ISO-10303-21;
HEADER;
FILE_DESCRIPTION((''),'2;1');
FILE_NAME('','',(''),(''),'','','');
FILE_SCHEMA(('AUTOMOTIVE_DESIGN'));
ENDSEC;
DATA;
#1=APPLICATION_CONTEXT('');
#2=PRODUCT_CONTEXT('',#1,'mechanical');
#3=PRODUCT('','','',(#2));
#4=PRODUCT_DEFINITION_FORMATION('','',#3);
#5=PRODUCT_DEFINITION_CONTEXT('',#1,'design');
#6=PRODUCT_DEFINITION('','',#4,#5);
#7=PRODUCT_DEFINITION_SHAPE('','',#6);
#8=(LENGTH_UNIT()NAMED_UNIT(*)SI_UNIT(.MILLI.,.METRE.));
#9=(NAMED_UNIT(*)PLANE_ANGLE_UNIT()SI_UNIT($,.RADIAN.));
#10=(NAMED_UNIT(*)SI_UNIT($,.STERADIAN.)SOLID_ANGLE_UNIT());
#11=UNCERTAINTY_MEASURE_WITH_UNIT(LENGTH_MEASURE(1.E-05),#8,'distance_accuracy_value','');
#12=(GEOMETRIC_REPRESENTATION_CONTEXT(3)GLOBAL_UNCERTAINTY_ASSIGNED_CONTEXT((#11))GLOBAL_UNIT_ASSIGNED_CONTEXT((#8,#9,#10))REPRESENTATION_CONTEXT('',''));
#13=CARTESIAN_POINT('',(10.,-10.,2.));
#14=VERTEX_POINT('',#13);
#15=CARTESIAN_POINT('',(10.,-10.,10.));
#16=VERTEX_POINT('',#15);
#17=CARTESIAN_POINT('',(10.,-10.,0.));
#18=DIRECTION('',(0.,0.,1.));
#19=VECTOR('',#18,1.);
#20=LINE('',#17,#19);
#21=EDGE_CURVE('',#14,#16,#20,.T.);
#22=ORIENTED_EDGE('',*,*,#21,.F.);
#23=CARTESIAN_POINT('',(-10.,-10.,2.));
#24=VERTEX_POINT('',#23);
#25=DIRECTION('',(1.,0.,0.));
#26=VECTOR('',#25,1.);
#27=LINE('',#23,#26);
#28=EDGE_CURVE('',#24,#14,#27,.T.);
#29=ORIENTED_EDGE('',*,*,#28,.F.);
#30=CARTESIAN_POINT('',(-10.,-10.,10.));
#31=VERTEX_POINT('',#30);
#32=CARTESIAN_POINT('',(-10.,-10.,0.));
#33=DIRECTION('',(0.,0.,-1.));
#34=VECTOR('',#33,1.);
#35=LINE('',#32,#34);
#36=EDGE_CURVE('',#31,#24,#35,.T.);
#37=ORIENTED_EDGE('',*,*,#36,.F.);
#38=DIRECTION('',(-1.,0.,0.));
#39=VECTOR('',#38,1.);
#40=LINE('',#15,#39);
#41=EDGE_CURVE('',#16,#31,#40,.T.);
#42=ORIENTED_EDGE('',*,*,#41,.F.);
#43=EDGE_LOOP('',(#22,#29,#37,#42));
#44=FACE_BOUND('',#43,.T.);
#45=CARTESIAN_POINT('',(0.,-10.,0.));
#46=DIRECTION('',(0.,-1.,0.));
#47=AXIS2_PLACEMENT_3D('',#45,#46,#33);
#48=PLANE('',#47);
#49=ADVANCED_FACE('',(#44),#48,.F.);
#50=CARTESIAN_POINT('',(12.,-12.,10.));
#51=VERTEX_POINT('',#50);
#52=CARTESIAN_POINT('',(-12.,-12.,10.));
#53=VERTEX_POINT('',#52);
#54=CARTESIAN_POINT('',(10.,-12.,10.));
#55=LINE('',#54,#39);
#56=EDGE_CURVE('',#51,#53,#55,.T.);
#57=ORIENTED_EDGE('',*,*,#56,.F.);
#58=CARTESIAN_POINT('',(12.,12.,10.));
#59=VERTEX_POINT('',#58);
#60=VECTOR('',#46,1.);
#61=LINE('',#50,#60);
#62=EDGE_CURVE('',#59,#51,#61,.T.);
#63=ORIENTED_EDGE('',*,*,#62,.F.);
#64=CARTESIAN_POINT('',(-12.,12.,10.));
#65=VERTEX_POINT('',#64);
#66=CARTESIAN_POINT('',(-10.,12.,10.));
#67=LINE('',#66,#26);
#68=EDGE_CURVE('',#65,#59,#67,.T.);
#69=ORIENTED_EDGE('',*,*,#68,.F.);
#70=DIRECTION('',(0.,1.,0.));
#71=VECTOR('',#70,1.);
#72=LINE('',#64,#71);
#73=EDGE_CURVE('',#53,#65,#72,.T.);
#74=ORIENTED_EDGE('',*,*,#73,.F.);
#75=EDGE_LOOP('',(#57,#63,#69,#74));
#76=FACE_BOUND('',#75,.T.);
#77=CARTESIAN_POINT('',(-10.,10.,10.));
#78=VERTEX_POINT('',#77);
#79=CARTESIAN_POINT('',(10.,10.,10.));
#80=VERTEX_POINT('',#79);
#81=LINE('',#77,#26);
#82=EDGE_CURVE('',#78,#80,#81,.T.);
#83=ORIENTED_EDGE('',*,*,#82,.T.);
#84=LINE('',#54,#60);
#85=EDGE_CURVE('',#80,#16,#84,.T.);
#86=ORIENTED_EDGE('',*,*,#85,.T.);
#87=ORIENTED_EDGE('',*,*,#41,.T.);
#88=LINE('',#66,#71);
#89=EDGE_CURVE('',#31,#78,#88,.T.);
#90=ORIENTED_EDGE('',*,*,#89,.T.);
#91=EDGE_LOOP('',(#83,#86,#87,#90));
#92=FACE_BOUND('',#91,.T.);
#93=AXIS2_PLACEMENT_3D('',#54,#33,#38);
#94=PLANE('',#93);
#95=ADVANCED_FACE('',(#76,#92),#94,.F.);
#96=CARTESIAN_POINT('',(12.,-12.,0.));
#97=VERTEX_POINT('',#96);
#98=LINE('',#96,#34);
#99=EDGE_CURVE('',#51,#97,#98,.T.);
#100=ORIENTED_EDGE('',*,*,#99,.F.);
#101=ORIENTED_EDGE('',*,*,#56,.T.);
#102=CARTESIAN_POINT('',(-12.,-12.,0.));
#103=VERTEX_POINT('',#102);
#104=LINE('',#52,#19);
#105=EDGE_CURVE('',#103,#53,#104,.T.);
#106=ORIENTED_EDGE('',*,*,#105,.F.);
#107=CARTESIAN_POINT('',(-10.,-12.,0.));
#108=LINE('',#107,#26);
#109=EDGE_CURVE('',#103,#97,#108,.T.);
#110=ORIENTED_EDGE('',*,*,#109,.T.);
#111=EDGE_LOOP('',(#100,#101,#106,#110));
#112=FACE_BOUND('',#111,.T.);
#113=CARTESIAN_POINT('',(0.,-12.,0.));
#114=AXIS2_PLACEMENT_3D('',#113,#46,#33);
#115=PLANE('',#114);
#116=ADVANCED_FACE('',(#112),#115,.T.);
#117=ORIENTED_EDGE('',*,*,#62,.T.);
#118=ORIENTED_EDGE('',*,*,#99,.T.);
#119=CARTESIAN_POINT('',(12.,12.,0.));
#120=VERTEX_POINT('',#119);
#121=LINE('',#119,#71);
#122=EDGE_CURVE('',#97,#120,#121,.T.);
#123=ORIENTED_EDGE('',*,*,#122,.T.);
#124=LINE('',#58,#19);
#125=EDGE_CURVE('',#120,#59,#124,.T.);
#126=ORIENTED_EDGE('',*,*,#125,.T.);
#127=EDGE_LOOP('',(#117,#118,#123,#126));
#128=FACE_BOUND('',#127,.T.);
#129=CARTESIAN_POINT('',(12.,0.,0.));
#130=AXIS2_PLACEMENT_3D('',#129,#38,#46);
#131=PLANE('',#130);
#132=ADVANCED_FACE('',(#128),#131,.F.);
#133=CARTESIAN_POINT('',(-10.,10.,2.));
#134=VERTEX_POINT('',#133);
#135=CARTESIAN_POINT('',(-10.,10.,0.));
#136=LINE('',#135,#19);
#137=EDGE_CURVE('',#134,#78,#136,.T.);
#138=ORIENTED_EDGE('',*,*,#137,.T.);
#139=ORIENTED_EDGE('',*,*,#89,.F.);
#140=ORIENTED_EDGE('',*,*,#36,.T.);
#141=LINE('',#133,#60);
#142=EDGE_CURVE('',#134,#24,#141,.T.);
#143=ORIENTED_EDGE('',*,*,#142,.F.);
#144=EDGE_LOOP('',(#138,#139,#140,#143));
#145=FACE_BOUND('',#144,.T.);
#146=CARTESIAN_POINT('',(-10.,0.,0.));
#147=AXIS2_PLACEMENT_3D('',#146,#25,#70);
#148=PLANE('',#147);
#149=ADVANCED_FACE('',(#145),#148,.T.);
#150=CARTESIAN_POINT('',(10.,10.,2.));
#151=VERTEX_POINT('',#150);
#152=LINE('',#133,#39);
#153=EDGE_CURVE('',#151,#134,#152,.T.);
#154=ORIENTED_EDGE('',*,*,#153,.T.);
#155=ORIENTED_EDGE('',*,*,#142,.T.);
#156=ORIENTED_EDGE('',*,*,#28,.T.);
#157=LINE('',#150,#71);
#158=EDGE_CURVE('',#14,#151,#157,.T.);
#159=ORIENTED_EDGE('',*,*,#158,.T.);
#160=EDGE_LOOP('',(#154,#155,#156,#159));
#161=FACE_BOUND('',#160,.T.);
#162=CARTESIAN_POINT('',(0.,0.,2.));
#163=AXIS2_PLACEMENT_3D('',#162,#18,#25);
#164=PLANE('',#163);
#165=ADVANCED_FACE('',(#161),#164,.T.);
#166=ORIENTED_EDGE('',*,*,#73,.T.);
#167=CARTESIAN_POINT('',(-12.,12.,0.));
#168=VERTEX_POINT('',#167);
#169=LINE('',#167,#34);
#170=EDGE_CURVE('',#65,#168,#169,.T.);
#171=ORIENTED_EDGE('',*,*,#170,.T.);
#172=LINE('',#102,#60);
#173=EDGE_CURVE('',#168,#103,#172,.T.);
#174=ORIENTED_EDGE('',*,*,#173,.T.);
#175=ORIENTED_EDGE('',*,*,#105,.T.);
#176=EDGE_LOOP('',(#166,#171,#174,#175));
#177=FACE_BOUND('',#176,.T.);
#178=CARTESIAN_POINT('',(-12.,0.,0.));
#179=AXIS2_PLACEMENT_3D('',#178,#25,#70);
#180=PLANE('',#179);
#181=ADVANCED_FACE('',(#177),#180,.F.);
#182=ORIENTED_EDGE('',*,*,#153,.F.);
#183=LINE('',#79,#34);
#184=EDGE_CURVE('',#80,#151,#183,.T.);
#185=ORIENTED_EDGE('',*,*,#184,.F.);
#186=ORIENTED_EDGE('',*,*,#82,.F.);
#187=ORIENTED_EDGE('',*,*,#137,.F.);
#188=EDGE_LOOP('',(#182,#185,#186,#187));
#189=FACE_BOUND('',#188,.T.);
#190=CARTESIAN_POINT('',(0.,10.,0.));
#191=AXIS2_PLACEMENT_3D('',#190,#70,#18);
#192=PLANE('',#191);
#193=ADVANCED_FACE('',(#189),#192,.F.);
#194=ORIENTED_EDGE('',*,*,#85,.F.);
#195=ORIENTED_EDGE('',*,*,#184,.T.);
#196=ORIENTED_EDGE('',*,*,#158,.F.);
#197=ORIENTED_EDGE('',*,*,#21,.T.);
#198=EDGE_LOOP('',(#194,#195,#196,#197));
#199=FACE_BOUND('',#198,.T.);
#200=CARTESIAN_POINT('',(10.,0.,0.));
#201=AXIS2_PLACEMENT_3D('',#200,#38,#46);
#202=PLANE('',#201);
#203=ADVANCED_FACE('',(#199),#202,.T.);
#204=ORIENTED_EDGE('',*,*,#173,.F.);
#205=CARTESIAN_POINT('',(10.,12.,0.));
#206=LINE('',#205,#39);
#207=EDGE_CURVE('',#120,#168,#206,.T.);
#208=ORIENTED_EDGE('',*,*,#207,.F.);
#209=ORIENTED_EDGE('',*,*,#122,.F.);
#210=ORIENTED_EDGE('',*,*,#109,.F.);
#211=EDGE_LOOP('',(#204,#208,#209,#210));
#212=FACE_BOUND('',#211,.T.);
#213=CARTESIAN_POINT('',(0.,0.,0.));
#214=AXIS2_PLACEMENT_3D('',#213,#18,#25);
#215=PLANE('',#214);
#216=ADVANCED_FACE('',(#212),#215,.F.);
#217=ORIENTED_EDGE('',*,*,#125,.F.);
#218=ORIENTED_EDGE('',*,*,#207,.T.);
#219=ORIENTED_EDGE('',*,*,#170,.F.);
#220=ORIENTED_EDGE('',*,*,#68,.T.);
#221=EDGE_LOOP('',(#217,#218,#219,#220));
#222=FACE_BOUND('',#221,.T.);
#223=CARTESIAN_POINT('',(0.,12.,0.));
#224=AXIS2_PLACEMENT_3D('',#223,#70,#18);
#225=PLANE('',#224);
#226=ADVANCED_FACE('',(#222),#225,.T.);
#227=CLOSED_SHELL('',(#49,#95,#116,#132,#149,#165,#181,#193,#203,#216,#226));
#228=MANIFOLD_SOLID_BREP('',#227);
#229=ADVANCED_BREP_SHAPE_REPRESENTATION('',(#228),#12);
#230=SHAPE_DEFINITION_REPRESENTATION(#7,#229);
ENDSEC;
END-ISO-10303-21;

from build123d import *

# Parameters (mm, degrees)
SKETCH_1_W      = 20
SKETCH_1_H      = 20
EXTRUDE_1_DEPTH = 2
SKETCH_2_W      = 20
SKETCH_2_H      = 10
EXTRUDE_3_DEPTH = 2
SKETCH_4_W      = 20
SKETCH_4_H      = 10
EXTRUDE_4_DEPTH = 2
SKETCH_5_W      = 10
SKETCH_5_H      = 24
EXTRUDE_5_DEPTH = 2
SKETCH_6_W      = 10
SKETCH_6_H      = 24
EXTRUDE_6_DEPTH = 2


with BuildPart() as part:
    # 草图1 → 凸台-拉伸1 (new body)
    with BuildSketch(Plane.XY):
        Rectangle(SKETCH_1_W, SKETCH_1_H)
    extrude(amount=EXTRUDE_1_DEPTH)

    # 草图2 → 凸台-拉伸3 (add)
    with BuildSketch(Plane.XZ.offset(10)):
        with Locations((0, 5)):
            Rectangle(SKETCH_2_W, SKETCH_2_H)
    extrude(amount=EXTRUDE_3_DEPTH)

    # 草图4 → 凸台-拉伸4 (add)
    with BuildSketch(Plane(origin=(0, 10, 0), x_dir=(1, 0, 0), z_dir=(0, 1, 0))):
        with Locations((0, -5)):
            Rectangle(SKETCH_4_W, SKETCH_4_H)
    extrude(amount=EXTRUDE_4_DEPTH)

    # 草图5 → 凸台-拉伸5 (add)
    with BuildSketch(Plane(origin=(10, 0, 0), x_dir=(0, 0, -1), z_dir=(1, 0, 0))):
        with Locations((-5, 0)):
            Rectangle(SKETCH_5_W, SKETCH_5_H)
    extrude(amount=EXTRUDE_5_DEPTH)

    # 草图6 → 凸台-拉伸6 (add)
    with BuildSketch(Plane.ZY.offset(10)):
        with Locations((5, 0)):
            Rectangle(SKETCH_6_W, SKETCH_6_H)
    extrude(amount=EXTRUDE_6_DEPTH)


solid = part.part
